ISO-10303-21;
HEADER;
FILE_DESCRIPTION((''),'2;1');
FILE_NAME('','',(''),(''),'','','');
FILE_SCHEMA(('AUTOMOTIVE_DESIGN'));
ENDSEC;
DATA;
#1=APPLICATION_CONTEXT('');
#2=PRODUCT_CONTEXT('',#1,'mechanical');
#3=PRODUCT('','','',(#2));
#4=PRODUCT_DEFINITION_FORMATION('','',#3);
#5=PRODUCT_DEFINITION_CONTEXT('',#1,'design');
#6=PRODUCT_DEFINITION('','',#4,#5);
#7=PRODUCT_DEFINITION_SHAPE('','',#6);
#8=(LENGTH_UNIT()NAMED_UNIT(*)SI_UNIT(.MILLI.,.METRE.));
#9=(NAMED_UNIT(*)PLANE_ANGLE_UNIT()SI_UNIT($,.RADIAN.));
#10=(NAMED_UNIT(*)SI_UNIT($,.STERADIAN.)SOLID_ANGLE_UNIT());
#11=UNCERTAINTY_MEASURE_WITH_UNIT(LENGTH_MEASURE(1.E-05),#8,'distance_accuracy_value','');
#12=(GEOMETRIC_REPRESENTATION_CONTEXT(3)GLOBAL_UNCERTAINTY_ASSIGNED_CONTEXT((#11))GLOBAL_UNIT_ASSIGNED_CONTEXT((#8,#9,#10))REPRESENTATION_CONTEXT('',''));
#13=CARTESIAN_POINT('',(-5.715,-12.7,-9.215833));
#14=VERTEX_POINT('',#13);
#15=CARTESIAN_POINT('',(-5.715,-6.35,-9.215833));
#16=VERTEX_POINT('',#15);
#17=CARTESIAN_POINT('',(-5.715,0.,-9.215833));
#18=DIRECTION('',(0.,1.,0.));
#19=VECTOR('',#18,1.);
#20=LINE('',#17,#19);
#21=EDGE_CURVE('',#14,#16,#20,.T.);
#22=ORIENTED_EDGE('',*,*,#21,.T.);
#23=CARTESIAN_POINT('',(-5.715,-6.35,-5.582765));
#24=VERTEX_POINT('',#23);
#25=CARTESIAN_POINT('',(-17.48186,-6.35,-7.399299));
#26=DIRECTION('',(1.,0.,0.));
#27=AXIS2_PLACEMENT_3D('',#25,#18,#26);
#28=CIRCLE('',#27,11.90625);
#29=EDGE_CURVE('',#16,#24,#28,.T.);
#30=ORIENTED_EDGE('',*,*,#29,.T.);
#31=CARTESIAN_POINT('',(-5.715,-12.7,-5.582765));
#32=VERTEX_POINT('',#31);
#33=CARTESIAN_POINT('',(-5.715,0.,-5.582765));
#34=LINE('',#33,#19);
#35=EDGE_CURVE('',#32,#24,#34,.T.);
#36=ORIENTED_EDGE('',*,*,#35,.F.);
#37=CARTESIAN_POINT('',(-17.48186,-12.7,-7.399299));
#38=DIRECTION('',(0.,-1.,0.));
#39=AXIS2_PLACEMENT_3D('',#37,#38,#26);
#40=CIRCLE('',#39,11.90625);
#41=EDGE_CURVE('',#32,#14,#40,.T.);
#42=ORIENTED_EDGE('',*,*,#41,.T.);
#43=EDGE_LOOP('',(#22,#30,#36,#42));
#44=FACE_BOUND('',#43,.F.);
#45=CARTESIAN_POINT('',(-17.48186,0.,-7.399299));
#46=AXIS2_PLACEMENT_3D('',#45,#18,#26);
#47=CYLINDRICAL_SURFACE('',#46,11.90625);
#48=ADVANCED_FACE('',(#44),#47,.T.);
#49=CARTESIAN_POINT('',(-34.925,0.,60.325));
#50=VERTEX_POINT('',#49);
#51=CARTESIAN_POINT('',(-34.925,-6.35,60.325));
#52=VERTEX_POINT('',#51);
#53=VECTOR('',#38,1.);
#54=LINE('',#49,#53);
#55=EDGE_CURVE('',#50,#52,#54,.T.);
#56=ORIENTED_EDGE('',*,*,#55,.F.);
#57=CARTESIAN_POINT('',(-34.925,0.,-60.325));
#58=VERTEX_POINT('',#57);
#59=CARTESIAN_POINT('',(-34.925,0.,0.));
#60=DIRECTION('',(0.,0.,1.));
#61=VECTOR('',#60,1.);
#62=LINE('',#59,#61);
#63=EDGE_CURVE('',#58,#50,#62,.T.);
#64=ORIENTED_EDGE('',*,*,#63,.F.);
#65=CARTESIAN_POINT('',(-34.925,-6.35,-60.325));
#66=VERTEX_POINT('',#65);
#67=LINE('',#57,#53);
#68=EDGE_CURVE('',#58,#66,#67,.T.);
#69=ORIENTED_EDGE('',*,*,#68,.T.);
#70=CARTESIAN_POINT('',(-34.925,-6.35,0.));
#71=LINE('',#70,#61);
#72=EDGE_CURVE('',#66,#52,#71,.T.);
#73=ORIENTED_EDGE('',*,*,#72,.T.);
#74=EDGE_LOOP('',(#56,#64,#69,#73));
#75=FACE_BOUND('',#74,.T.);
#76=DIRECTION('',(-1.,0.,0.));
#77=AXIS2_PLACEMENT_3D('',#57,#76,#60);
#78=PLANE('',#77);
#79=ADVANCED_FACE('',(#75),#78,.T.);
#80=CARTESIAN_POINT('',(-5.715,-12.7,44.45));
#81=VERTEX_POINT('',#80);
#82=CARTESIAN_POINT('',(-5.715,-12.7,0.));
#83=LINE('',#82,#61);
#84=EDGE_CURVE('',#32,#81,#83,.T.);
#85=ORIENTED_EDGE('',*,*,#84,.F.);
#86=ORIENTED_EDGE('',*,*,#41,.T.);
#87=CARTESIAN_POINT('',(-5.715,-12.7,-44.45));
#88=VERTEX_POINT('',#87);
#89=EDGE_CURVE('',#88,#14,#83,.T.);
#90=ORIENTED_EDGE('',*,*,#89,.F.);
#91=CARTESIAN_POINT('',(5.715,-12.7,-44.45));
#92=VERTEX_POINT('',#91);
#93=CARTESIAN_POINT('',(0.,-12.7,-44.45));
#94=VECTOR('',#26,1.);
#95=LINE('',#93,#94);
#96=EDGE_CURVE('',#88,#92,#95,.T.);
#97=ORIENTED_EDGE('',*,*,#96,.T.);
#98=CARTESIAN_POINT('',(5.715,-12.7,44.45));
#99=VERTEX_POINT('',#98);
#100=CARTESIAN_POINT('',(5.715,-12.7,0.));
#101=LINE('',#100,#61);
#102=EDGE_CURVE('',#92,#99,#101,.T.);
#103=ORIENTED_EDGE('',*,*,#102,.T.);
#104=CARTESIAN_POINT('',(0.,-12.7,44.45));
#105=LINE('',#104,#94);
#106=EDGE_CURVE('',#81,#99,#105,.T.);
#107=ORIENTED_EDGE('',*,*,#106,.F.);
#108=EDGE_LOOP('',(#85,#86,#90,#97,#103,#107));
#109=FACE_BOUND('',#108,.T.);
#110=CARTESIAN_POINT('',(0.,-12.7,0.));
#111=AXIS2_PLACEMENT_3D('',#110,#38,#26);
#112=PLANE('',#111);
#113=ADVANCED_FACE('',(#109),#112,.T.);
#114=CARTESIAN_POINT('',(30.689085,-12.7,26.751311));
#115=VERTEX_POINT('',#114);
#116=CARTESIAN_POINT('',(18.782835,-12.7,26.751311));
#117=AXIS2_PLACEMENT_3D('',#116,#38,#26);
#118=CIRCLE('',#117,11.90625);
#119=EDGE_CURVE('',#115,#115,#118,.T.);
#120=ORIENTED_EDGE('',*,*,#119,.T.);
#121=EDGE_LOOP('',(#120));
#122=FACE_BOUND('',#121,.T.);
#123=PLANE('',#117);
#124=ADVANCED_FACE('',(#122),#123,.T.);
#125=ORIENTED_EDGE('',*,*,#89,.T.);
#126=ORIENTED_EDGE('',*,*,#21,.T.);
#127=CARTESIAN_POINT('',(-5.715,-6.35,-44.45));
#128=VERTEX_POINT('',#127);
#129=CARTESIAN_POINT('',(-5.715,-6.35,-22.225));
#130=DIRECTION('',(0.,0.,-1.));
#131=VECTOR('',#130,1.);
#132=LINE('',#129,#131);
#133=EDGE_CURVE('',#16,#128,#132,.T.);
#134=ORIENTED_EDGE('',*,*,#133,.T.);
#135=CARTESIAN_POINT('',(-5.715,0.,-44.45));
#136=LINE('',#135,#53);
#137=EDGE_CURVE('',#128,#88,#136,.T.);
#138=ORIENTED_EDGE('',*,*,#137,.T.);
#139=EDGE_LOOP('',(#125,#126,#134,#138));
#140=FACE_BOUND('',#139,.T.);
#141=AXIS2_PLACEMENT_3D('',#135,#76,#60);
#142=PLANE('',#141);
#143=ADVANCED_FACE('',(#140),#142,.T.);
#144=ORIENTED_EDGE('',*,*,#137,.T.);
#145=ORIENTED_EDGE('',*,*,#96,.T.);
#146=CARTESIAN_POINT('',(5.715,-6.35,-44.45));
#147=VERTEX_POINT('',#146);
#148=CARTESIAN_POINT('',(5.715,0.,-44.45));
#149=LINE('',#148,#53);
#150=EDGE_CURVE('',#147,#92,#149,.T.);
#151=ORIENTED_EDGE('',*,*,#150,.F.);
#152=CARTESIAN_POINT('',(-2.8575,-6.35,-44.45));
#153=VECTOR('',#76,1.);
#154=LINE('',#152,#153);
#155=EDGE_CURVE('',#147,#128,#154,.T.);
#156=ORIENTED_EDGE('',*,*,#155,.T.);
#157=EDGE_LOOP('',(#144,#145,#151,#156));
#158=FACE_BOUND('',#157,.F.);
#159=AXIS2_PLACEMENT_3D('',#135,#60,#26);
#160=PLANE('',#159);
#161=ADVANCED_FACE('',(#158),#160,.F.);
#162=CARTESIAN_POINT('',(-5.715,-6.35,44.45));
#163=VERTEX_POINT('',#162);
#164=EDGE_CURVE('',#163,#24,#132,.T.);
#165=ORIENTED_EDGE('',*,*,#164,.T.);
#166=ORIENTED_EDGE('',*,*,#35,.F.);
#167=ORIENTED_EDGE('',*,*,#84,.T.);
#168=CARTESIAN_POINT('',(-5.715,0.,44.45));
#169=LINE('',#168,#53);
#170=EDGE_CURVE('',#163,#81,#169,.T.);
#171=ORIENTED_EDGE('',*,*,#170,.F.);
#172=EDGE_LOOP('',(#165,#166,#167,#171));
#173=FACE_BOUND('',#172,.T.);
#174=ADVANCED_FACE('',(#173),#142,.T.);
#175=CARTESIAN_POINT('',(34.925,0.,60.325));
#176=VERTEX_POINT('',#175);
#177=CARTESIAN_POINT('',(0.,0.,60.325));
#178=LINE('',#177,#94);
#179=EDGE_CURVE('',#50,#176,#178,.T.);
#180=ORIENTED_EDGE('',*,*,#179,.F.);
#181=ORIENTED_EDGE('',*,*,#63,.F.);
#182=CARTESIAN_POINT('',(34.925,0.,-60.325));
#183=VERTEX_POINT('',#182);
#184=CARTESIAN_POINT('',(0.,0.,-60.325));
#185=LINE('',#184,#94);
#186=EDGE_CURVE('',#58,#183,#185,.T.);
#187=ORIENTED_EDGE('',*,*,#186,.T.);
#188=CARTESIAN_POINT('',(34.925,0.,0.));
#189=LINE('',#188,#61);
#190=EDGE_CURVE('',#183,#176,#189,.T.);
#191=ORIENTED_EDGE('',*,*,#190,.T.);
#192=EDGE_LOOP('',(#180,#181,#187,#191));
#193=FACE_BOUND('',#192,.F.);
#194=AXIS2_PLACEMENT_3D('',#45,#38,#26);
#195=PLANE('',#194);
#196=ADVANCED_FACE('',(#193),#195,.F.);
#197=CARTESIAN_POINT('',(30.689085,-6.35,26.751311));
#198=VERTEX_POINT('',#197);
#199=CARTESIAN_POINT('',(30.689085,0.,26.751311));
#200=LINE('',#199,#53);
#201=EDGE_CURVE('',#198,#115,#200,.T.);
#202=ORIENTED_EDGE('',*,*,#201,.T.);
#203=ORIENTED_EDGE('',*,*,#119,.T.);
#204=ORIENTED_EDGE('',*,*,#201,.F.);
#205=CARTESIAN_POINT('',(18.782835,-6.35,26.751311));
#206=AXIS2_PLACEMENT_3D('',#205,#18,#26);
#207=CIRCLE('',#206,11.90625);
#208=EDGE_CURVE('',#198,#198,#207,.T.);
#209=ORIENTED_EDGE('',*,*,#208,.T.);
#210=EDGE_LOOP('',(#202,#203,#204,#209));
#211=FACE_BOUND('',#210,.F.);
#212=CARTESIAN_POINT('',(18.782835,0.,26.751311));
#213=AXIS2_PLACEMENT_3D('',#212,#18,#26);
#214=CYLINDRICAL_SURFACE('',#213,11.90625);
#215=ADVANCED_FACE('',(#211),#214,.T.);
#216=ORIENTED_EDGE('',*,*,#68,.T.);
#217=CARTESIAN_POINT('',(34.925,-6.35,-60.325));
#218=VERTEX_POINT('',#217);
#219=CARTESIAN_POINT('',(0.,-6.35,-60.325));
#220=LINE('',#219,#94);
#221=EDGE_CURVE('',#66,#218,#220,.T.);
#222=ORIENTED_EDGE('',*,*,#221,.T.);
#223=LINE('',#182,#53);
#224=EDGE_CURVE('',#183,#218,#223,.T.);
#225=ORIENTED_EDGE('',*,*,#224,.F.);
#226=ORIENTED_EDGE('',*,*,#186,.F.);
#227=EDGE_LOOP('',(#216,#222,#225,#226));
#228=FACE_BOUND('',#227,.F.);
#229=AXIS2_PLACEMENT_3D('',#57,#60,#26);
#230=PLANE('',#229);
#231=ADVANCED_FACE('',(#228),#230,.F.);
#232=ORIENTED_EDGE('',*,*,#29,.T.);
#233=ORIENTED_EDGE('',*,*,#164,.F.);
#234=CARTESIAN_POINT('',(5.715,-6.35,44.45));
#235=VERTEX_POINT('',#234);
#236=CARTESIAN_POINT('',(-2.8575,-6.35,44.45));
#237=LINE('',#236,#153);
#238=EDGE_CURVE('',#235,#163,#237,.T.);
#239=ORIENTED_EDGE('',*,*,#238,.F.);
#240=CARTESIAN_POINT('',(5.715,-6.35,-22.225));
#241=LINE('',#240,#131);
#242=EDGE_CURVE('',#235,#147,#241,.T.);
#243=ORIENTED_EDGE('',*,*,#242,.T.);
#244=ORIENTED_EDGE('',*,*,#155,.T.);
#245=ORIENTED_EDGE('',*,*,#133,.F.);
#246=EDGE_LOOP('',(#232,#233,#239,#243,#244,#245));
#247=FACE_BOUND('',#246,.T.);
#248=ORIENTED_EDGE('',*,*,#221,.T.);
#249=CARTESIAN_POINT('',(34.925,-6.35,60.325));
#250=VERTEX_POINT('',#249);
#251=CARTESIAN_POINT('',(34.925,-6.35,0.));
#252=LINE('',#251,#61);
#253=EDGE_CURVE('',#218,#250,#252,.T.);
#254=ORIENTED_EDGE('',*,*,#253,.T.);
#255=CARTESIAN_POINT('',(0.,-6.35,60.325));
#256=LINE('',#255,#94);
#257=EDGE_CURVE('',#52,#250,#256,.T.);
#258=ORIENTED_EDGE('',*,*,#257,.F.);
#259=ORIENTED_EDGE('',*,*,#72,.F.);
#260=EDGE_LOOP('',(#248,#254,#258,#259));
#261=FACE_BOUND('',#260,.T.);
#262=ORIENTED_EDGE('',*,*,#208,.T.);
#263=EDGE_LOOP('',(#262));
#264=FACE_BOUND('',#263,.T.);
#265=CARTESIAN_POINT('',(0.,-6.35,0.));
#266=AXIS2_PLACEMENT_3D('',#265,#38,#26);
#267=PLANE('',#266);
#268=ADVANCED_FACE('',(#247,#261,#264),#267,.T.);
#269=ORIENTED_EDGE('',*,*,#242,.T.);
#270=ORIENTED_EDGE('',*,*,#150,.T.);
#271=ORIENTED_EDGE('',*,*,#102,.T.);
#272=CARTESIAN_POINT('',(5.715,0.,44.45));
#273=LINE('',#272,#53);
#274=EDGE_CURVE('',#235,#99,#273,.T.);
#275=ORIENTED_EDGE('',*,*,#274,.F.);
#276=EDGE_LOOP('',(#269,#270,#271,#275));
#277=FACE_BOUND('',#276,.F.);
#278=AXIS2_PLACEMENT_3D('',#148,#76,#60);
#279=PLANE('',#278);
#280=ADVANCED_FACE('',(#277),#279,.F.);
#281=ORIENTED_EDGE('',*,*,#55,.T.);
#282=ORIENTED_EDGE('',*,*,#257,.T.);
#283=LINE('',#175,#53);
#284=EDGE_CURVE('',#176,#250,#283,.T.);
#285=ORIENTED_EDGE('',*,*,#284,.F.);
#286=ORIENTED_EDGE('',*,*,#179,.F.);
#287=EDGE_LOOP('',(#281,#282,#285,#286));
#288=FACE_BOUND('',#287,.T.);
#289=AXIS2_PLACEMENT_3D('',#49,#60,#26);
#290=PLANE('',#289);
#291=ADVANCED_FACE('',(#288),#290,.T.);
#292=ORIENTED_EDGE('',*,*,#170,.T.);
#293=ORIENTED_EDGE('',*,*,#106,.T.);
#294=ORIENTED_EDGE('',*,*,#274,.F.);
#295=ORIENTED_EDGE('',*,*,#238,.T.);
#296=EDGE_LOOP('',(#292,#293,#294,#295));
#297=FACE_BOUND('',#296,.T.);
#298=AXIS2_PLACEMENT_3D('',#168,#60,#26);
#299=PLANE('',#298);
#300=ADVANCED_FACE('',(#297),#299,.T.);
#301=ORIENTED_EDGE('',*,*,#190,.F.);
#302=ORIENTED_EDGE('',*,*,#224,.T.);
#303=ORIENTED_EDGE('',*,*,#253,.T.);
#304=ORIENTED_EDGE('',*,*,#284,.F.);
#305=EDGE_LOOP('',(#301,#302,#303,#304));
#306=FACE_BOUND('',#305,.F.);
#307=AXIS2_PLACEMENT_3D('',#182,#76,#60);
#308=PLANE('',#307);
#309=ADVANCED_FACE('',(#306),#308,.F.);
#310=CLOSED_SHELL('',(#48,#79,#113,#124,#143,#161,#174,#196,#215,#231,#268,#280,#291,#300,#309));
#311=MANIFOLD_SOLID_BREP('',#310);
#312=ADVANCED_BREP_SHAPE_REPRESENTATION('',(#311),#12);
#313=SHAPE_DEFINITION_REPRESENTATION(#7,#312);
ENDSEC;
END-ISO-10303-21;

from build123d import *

# Parameters (mm, degrees)
F0_W     = 69.85
F0_H     = 120.65
F0_W_2   = 9.525
F0_H_2   = 25.4
F1_DEPTH = 6.35
F3_R     = 11.90625
F4_DEPTH = 12.7
F2_R     = 11.90625
F5_DEPTH = 12.7
F6_W     = 11.43
F6_H     = 88.9
F7_DEPTH = 12.7


with BuildPart() as f1:
    # F0 (on Front) → F1 (new body)
    with BuildSketch(Plane.XZ):
        Rectangle(F0_W, F0_H)
        Rectangle(F0_W_2, F0_H_2, mode=Mode.SUBTRACT)
    extrude(amount=F1_DEPTH)

    # F3 (on Front) → F4 (join)
    with BuildSketch(Plane.XZ):
        with Locations((18.782835, 26.751311)):
            Circle(F3_R)
    extrude(amount=F4_DEPTH)

    # F2 (on Front) → F5 (join)
    with BuildSketch(Plane.XZ):
        with Locations((-17.48186, -7.399299)):
            Circle(F2_R)
    extrude(amount=F5_DEPTH)

    # F6 (on Front) → F7 (join)
    with BuildSketch(Plane.XZ):
        Rectangle(F6_W, F6_H)
    extrude(amount=F7_DEPTH)


solid = f1.part
